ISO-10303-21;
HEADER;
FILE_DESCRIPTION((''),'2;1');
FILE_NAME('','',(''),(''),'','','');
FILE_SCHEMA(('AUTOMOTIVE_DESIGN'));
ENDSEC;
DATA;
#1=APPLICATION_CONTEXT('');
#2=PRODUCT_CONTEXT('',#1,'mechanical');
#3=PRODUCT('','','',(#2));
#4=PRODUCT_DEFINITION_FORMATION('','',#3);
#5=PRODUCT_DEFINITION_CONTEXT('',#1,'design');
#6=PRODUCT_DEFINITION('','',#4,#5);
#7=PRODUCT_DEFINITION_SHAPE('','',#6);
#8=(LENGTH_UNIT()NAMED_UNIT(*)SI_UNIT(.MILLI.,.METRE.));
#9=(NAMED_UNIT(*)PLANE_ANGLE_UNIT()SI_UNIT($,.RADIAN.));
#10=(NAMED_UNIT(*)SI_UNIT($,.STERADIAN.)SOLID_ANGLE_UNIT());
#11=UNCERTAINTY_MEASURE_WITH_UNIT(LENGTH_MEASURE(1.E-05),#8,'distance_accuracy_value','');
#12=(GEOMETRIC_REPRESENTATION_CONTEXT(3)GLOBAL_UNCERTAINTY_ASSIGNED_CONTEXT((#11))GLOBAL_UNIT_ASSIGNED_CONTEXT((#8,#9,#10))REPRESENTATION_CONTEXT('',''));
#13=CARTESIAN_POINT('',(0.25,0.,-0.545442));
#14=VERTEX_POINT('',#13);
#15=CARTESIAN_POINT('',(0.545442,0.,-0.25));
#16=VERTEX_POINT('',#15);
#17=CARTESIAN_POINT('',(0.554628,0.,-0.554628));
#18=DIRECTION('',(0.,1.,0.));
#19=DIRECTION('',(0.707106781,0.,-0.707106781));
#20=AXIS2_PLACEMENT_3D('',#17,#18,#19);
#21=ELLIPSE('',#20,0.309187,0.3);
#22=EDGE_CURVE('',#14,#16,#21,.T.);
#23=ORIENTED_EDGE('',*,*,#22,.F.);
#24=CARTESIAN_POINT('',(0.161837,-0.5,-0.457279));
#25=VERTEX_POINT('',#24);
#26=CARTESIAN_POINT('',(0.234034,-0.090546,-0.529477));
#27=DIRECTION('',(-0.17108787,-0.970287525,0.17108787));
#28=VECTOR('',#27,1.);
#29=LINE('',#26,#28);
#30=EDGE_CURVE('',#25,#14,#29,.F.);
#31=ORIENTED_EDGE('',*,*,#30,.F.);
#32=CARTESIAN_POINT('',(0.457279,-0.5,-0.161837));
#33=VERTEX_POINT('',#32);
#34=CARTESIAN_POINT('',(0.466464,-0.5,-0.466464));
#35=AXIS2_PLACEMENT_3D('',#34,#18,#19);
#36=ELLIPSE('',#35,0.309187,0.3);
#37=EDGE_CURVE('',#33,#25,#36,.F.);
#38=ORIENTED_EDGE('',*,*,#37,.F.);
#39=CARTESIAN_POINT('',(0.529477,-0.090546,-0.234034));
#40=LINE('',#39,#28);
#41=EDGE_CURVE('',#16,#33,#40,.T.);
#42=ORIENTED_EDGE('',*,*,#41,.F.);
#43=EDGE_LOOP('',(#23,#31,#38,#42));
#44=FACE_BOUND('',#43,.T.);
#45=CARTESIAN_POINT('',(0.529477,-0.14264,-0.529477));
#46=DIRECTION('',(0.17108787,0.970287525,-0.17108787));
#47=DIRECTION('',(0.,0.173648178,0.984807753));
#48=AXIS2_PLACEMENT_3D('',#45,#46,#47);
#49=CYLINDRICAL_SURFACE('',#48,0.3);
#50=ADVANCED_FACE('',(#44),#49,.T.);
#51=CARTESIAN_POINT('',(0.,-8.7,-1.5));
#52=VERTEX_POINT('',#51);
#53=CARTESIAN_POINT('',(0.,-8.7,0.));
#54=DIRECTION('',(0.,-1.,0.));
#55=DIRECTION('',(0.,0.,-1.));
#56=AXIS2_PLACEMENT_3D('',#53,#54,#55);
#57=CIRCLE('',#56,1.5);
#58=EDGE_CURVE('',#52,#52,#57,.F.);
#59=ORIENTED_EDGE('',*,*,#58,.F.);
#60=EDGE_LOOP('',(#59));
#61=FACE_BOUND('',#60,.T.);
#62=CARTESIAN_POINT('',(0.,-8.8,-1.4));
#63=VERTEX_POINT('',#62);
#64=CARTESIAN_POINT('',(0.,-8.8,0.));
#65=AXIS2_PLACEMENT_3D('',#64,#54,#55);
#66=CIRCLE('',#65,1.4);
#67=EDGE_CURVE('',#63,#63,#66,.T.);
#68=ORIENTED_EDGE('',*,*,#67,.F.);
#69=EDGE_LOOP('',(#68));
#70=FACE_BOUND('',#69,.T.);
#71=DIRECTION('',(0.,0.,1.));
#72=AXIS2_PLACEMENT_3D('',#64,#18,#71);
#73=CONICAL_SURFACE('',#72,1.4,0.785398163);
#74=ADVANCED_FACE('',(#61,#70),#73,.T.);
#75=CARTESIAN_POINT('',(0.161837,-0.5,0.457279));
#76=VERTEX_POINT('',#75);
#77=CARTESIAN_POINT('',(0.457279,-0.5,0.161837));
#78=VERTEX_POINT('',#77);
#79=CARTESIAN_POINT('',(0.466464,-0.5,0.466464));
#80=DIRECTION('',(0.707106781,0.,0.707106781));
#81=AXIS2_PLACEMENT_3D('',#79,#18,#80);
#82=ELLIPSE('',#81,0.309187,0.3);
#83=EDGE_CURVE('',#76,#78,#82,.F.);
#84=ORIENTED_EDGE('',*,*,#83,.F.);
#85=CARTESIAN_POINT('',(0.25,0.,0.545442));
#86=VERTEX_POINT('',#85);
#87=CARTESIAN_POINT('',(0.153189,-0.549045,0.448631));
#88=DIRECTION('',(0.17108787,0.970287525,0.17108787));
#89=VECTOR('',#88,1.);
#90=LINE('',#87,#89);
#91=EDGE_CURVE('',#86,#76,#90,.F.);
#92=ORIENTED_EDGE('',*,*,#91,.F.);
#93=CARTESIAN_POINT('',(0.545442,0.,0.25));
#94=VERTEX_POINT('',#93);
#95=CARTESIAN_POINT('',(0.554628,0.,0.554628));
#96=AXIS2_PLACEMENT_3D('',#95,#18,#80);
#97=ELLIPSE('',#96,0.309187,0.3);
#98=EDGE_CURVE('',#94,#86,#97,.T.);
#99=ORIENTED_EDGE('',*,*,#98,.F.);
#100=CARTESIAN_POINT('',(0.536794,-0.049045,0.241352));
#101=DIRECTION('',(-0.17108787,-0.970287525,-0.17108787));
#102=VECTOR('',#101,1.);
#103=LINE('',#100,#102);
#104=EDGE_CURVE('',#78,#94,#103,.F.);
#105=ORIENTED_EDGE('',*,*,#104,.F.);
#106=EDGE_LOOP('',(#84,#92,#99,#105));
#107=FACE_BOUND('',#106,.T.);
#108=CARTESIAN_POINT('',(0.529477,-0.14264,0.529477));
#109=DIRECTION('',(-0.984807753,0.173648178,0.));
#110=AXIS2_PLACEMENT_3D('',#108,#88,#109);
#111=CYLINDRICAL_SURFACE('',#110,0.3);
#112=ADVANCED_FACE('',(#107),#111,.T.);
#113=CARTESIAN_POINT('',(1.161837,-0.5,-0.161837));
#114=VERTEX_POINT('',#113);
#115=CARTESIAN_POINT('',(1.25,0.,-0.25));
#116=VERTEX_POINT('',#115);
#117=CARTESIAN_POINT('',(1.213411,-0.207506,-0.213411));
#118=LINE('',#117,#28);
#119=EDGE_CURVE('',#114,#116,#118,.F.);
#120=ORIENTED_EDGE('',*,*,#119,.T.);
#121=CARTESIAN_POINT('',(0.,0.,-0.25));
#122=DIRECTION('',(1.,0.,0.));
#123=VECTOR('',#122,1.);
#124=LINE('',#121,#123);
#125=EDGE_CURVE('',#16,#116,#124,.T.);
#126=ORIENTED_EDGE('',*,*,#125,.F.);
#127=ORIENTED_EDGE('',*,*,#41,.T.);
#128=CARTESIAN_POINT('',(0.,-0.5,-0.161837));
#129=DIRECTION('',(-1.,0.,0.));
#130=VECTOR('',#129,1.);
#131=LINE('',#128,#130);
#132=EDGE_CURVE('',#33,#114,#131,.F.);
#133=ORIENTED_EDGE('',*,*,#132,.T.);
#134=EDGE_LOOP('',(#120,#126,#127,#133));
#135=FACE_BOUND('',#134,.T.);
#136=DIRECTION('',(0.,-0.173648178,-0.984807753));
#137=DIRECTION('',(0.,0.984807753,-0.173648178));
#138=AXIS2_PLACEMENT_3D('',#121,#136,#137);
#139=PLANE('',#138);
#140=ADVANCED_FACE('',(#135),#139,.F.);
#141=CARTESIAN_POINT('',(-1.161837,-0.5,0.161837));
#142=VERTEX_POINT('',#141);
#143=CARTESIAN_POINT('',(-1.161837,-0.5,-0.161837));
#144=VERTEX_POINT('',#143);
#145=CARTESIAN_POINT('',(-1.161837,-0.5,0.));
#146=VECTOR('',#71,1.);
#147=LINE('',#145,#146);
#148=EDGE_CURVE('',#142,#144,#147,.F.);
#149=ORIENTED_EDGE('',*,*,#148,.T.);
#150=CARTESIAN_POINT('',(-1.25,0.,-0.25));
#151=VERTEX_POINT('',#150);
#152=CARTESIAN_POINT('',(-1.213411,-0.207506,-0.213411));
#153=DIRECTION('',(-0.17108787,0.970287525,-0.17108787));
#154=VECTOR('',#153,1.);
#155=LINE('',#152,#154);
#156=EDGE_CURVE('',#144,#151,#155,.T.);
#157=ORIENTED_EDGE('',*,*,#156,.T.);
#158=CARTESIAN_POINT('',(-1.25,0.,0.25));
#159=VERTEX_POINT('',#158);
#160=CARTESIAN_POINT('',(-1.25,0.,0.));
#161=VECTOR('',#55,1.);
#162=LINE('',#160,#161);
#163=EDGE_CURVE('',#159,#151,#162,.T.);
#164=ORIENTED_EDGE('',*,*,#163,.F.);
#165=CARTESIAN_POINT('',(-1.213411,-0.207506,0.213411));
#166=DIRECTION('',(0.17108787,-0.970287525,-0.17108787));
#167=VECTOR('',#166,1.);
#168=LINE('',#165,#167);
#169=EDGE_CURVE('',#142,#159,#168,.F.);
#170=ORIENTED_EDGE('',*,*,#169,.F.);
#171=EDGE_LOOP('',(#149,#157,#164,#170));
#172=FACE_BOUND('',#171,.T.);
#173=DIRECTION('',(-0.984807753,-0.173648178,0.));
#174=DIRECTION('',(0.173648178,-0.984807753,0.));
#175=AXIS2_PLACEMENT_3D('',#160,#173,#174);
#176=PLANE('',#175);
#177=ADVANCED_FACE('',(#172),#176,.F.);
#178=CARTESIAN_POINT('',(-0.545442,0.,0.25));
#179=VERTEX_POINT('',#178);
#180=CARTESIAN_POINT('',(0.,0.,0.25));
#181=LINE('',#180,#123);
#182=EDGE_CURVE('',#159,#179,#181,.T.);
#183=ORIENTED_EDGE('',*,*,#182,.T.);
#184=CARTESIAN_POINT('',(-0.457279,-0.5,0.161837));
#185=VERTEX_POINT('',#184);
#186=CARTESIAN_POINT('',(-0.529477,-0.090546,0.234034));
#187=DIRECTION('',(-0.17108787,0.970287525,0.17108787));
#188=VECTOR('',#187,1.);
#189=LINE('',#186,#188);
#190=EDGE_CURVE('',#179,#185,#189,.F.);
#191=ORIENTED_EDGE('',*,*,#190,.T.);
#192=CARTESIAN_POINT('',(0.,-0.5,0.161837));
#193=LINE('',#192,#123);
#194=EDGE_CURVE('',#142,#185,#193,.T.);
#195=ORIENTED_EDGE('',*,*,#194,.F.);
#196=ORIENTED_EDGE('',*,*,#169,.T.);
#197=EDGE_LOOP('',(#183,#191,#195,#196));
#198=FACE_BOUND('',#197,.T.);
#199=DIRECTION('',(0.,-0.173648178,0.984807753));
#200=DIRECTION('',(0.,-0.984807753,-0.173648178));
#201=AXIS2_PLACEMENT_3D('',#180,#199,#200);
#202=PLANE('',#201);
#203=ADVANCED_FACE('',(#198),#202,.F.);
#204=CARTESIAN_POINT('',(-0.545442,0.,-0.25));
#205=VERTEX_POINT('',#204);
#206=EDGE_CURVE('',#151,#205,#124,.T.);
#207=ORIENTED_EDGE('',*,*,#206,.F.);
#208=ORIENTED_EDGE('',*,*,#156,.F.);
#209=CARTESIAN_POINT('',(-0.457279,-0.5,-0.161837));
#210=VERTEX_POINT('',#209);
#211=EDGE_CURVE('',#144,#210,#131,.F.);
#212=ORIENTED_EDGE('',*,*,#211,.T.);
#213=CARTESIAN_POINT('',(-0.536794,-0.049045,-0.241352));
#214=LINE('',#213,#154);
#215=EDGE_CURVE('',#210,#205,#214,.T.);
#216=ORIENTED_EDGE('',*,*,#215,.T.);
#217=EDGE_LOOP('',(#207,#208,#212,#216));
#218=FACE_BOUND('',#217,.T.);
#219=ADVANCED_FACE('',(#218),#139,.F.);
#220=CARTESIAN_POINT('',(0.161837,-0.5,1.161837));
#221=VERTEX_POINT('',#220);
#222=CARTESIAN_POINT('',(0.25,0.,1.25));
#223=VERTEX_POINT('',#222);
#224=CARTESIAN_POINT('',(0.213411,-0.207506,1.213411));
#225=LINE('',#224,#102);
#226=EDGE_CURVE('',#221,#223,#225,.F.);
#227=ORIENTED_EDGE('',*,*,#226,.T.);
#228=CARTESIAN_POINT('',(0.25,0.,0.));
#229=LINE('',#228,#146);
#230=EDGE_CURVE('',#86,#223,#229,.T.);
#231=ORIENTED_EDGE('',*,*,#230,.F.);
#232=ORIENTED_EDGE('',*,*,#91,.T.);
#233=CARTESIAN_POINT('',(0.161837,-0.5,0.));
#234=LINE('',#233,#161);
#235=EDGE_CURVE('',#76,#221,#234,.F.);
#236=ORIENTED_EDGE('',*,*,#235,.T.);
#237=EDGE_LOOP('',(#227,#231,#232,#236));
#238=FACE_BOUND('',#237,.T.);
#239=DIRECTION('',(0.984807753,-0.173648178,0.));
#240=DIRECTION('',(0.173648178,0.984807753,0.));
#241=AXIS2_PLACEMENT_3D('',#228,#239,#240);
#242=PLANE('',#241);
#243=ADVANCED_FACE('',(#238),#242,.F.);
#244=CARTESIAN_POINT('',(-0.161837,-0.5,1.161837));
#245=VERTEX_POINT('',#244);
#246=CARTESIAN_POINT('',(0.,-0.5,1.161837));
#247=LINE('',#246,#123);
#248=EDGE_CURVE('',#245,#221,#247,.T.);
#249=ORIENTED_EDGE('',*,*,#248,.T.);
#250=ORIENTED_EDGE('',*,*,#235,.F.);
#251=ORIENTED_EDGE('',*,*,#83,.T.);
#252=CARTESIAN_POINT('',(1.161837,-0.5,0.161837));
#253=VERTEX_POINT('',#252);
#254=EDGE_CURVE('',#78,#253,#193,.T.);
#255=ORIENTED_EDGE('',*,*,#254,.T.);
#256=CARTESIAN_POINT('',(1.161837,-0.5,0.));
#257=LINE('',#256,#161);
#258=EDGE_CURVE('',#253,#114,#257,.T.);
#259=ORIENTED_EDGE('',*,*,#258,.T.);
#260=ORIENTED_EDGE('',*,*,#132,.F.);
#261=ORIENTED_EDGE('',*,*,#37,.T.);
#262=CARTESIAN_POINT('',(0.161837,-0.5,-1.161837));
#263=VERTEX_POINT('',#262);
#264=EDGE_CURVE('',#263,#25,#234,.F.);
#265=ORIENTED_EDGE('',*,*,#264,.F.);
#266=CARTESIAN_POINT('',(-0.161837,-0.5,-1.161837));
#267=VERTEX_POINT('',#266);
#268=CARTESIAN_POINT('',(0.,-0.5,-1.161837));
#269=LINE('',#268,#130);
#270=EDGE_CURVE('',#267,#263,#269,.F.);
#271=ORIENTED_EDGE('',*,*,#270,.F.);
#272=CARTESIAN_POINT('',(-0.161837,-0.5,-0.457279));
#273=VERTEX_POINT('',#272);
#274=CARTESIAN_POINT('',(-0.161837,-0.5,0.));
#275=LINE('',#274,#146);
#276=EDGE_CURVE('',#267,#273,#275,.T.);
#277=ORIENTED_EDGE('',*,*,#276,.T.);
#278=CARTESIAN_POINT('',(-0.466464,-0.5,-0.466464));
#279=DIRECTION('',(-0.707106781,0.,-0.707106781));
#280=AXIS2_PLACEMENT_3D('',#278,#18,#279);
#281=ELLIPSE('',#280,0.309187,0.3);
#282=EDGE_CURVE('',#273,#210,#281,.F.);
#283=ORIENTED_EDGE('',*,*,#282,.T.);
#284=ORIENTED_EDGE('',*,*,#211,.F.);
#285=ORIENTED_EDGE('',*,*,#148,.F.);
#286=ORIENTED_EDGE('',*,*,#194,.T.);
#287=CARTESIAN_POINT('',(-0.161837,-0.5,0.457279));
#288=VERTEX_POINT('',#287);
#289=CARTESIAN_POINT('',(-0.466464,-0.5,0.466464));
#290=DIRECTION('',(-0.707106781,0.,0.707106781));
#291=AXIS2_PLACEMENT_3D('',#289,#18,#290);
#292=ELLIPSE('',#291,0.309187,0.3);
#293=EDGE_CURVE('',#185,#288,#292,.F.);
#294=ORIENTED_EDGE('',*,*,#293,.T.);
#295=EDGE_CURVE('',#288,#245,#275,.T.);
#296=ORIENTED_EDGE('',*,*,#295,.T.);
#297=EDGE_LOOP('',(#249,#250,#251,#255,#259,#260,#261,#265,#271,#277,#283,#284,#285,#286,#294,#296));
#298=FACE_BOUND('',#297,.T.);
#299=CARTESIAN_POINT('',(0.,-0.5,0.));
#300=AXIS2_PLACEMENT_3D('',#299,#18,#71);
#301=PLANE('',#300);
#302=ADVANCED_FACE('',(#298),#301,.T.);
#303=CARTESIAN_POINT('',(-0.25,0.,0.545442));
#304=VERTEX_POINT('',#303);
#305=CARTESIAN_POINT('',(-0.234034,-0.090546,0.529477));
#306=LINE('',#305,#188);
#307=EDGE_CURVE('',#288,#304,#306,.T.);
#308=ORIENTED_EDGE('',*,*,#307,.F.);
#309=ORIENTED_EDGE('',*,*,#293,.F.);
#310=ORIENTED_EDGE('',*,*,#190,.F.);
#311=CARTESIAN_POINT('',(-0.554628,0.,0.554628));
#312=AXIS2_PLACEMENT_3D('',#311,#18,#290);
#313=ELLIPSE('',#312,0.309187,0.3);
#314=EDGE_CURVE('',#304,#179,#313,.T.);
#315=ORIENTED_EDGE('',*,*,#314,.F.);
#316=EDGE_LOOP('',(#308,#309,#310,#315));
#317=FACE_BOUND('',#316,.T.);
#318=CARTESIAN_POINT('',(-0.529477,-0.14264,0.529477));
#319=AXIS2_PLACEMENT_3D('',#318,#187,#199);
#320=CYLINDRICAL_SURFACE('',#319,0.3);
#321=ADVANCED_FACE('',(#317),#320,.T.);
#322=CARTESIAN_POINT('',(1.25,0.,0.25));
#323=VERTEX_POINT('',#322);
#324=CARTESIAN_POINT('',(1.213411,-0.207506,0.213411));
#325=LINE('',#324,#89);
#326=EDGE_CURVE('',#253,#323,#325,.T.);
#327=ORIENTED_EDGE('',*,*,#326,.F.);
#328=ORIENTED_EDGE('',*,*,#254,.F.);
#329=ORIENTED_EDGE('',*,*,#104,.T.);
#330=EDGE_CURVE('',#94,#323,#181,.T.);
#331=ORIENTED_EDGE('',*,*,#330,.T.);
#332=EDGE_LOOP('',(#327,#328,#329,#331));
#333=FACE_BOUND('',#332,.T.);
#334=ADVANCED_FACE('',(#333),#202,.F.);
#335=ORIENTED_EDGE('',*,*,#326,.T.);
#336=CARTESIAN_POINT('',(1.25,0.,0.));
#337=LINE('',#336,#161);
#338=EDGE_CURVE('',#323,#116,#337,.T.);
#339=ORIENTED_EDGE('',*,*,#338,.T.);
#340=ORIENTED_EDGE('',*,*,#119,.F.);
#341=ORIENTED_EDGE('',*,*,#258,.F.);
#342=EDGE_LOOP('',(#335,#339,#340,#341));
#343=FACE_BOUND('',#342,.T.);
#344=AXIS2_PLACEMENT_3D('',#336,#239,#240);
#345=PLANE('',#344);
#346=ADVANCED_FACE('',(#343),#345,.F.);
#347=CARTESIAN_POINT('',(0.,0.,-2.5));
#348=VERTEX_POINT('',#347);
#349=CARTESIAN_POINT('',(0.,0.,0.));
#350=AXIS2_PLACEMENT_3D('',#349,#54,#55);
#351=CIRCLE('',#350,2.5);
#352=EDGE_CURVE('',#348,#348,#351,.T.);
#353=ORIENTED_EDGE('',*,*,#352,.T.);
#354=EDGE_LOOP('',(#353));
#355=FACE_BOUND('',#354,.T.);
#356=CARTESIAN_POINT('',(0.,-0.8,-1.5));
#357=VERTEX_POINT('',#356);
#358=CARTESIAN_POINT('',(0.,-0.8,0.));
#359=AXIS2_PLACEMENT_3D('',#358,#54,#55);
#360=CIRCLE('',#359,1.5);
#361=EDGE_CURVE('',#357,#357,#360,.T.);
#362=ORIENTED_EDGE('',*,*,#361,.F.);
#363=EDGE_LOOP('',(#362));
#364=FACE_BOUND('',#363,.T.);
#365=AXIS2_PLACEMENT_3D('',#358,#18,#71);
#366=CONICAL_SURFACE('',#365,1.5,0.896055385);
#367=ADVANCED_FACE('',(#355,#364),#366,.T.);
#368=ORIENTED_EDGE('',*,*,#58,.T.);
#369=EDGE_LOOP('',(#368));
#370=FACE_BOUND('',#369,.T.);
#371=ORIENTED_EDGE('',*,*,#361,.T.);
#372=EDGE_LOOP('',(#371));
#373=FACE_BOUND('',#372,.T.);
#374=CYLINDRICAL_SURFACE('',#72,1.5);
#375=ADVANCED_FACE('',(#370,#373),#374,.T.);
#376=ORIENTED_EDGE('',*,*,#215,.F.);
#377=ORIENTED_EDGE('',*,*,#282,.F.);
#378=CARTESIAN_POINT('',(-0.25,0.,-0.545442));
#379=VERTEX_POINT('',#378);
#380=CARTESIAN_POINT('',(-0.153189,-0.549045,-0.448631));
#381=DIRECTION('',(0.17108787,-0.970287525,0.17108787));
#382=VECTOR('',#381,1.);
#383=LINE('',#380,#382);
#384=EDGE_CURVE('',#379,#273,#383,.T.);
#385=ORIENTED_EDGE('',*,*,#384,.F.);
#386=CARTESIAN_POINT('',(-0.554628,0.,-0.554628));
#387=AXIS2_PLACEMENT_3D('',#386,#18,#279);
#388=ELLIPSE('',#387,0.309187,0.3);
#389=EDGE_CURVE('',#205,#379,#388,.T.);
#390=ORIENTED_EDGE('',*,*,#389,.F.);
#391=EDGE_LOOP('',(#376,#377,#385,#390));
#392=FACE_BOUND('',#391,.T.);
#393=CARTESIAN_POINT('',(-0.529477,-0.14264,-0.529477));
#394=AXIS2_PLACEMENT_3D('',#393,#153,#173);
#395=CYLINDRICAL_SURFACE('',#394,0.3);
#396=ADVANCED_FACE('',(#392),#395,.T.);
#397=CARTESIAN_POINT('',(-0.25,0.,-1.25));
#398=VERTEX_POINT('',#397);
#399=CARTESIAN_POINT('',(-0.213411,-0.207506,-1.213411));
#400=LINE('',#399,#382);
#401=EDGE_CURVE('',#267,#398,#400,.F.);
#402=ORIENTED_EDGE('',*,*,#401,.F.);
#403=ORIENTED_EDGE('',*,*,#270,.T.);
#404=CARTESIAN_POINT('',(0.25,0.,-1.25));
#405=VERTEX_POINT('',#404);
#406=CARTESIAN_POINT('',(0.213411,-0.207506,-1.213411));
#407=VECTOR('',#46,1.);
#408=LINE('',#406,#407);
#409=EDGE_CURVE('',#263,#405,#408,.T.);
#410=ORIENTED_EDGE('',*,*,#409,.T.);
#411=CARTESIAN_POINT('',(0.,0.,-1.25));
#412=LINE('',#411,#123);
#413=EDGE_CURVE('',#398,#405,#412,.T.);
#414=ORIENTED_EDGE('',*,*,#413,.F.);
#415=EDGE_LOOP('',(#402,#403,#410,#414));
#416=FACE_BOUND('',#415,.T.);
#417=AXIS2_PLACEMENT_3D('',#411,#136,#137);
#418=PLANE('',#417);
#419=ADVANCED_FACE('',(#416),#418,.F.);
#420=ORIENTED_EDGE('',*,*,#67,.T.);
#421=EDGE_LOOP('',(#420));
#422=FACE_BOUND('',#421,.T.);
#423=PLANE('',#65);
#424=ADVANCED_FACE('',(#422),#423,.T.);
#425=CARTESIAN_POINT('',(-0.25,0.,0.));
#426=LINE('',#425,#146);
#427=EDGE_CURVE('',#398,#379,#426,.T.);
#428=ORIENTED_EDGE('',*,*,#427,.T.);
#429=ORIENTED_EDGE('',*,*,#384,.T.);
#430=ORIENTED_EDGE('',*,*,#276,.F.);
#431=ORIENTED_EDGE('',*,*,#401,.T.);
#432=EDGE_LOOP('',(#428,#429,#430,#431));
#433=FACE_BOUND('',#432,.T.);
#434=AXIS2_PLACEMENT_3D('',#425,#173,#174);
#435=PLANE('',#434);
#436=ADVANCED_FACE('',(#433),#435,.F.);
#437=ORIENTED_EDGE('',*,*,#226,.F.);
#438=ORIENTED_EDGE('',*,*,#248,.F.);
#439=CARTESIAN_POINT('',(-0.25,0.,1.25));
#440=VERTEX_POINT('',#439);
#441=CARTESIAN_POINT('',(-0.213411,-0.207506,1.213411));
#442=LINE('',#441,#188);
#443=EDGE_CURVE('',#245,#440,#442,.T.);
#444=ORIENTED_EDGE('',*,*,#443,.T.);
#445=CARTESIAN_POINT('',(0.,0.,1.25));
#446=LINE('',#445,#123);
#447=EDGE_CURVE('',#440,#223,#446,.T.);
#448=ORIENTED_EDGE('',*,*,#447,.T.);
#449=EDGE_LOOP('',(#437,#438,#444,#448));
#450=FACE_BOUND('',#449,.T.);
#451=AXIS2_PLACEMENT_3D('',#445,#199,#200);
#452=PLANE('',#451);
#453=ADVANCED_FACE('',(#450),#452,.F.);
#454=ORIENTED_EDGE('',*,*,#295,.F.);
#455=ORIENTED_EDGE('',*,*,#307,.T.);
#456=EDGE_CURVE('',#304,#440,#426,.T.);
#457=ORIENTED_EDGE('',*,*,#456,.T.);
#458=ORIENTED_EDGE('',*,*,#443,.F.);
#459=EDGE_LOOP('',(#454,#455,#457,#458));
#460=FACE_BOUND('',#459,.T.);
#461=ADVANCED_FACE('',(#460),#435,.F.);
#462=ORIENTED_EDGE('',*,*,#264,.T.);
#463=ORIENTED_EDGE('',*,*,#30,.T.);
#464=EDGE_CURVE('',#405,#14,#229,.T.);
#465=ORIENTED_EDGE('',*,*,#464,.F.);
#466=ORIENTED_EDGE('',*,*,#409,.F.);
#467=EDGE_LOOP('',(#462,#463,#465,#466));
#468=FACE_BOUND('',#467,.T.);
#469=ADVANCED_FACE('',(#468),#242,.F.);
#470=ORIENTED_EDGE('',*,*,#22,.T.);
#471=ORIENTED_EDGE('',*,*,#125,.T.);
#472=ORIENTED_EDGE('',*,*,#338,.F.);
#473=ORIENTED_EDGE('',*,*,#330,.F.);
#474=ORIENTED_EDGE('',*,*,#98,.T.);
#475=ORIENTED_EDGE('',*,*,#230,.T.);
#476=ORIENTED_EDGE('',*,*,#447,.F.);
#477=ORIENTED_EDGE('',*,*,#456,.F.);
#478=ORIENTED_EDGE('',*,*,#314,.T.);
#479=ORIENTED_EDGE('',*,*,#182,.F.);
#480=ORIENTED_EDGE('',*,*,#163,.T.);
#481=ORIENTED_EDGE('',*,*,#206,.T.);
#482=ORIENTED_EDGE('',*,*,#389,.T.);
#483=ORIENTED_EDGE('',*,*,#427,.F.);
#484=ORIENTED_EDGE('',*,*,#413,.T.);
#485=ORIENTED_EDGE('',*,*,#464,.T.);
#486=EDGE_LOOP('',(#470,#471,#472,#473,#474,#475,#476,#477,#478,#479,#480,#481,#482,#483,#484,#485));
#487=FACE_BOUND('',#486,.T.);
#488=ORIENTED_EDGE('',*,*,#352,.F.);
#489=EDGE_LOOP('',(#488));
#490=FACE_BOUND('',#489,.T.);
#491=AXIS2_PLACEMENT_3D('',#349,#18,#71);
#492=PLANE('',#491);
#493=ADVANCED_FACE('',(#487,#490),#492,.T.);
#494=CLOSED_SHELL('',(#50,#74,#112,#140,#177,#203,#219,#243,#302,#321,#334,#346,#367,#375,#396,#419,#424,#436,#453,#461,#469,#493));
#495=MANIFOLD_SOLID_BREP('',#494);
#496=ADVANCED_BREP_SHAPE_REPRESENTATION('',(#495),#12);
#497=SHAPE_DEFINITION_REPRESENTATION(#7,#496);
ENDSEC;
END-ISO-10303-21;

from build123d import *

# Parameters (mm, degrees)
SKETCH_2_R                    = 1.5
EXTRUDE_1_DEPTH               = 8
CHAMFER_1_SIZE                = 0.1
SKETCH_3_W                    = 2.5
SKETCH_3_H                    = 0.5
CUT_EXTRUDE_1_DEPTH           = 0.5
CUT_EXTRUDE_1_DRAFT           = -10
SKETCH_3_W_2                  = 0.5
SKETCH_3_H_2                  = 2.5
CUT_EXTRUDE_1_PROFILE_2_DEPTH = 0.5
CUT_EXTRUDE_1_PROFILE_2_DRAFT = -10
FILLET_1_R                    = 0.3


with BuildPart() as part:
    # 草图1 → 旋转1 (revolve)
    with BuildSketch(Plane.XY, mode=Mode.PRIVATE) as revolve_1_sk:
        Polygon((0, 0), (2.5, 0), (1.5, -0.8), (0, -0.8), align=None)
    revolve(revolve_1_sk.sketch.rotate(Axis((0, -0.8, 0), (0, 1, 0)), 90), axis=Axis((0, -0.8, 0), (0, 1, 0)))

    # 草图2 → 凸台-拉伸1 (add)
    with BuildSketch(Plane.XZ.offset(0.8)):
        with Locations(Location((0, 0, 0), (0, 0, 270))):
            Circle(SKETCH_2_R)
    extrude(amount=EXTRUDE_1_DEPTH)

    # 倒角1
    chamfer_1_edges = [part.edges().sort_by_distance(p)[0] for p in [
        (0, -8.8, 1.5),
    ]]
    chamfer(chamfer_1_edges, length=CHAMFER_1_SIZE)


with BuildPart() as cut_extrude_1_tool:
    # 草图3 → 切除-拉伸1 (with draft: the straight prism first)
    with BuildSketch(Plane(origin=(0, 0, 0), x_dir=(1, 0, 0), z_dir=(0, 1, 0))):
        Rectangle(SKETCH_3_W, SKETCH_3_H)
    extrude(amount=-CUT_EXTRUDE_1_DEPTH)
    # 切除-拉伸1: the draft: its side faces are tilted about the plane it starts from
    cut_extrude_1_sides = [cut_extrude_1_tool.faces().sort_by_distance(p)[0] for p in [
        (0, -0.25, 0.25),
        (1.25, -0.25, 0),
        (0, -0.25, -0.25),
        (-1.25, -0.25, 0),
    ]]
    draft(cut_extrude_1_sides, Plane(origin=(0, 0, 0), x_dir=(1, 0, 0), z_dir=(0, 1, 0)), CUT_EXTRUDE_1_DRAFT)


with BuildPart() as part_1:
    add(part.part)

    # 切除-拉伸1: cut by cut_extrude_1_tool
    add(cut_extrude_1_tool.part, mode=Mode.SUBTRACT)


with BuildPart() as cut_extrude_1_profile_2_tool:
    # 草图3 → 切除-拉伸1 profile 2 (with draft: the straight prism first)
    with BuildSketch(Plane(origin=(0, 0, 0), x_dir=(1, 0, 0), z_dir=(0, 1, 0))):
        Rectangle(SKETCH_3_W_2, SKETCH_3_H_2)
    extrude(amount=-CUT_EXTRUDE_1_PROFILE_2_DEPTH)
    # 切除-拉伸1 profile 2: the draft: its side faces are tilted about the plane it starts from
    cut_extrude_1_profile_2_sides = [cut_extrude_1_profile_2_tool.faces().sort_by_distance(p)[0] for p in [
        (-0.25, -0.25, 0),
        (0, -0.25, 1.25),
        (0.25, -0.25, 0),
        (0, -0.25, -1.25),
    ]]
    draft(cut_extrude_1_profile_2_sides, Plane(origin=(0, 0, 0), x_dir=(1, 0, 0), z_dir=(0, 1, 0)), CUT_EXTRUDE_1_PROFILE_2_DRAFT)


with BuildPart() as part_2:
    add(part_1.part)

    # 切除-拉伸1 profile 2: cut by cut_extrude_1_profile_2_tool
    add(cut_extrude_1_profile_2_tool.part, mode=Mode.SUBTRACT)

    # 圆角1
    fillet_1_edges = [part_2.edges().sort_by_distance(p)[0] for p in [
        (0.205918255, -0.25, -0.205918255),
        (0.205918255, -0.25, 0.205918255),
        (-0.205918255, -0.25, 0.205918255),
        (-0.205918255, -0.25, -0.205918255),
    ]]
    fillet(fillet_1_edges, radius=FILLET_1_R)


solid = part_2.part
